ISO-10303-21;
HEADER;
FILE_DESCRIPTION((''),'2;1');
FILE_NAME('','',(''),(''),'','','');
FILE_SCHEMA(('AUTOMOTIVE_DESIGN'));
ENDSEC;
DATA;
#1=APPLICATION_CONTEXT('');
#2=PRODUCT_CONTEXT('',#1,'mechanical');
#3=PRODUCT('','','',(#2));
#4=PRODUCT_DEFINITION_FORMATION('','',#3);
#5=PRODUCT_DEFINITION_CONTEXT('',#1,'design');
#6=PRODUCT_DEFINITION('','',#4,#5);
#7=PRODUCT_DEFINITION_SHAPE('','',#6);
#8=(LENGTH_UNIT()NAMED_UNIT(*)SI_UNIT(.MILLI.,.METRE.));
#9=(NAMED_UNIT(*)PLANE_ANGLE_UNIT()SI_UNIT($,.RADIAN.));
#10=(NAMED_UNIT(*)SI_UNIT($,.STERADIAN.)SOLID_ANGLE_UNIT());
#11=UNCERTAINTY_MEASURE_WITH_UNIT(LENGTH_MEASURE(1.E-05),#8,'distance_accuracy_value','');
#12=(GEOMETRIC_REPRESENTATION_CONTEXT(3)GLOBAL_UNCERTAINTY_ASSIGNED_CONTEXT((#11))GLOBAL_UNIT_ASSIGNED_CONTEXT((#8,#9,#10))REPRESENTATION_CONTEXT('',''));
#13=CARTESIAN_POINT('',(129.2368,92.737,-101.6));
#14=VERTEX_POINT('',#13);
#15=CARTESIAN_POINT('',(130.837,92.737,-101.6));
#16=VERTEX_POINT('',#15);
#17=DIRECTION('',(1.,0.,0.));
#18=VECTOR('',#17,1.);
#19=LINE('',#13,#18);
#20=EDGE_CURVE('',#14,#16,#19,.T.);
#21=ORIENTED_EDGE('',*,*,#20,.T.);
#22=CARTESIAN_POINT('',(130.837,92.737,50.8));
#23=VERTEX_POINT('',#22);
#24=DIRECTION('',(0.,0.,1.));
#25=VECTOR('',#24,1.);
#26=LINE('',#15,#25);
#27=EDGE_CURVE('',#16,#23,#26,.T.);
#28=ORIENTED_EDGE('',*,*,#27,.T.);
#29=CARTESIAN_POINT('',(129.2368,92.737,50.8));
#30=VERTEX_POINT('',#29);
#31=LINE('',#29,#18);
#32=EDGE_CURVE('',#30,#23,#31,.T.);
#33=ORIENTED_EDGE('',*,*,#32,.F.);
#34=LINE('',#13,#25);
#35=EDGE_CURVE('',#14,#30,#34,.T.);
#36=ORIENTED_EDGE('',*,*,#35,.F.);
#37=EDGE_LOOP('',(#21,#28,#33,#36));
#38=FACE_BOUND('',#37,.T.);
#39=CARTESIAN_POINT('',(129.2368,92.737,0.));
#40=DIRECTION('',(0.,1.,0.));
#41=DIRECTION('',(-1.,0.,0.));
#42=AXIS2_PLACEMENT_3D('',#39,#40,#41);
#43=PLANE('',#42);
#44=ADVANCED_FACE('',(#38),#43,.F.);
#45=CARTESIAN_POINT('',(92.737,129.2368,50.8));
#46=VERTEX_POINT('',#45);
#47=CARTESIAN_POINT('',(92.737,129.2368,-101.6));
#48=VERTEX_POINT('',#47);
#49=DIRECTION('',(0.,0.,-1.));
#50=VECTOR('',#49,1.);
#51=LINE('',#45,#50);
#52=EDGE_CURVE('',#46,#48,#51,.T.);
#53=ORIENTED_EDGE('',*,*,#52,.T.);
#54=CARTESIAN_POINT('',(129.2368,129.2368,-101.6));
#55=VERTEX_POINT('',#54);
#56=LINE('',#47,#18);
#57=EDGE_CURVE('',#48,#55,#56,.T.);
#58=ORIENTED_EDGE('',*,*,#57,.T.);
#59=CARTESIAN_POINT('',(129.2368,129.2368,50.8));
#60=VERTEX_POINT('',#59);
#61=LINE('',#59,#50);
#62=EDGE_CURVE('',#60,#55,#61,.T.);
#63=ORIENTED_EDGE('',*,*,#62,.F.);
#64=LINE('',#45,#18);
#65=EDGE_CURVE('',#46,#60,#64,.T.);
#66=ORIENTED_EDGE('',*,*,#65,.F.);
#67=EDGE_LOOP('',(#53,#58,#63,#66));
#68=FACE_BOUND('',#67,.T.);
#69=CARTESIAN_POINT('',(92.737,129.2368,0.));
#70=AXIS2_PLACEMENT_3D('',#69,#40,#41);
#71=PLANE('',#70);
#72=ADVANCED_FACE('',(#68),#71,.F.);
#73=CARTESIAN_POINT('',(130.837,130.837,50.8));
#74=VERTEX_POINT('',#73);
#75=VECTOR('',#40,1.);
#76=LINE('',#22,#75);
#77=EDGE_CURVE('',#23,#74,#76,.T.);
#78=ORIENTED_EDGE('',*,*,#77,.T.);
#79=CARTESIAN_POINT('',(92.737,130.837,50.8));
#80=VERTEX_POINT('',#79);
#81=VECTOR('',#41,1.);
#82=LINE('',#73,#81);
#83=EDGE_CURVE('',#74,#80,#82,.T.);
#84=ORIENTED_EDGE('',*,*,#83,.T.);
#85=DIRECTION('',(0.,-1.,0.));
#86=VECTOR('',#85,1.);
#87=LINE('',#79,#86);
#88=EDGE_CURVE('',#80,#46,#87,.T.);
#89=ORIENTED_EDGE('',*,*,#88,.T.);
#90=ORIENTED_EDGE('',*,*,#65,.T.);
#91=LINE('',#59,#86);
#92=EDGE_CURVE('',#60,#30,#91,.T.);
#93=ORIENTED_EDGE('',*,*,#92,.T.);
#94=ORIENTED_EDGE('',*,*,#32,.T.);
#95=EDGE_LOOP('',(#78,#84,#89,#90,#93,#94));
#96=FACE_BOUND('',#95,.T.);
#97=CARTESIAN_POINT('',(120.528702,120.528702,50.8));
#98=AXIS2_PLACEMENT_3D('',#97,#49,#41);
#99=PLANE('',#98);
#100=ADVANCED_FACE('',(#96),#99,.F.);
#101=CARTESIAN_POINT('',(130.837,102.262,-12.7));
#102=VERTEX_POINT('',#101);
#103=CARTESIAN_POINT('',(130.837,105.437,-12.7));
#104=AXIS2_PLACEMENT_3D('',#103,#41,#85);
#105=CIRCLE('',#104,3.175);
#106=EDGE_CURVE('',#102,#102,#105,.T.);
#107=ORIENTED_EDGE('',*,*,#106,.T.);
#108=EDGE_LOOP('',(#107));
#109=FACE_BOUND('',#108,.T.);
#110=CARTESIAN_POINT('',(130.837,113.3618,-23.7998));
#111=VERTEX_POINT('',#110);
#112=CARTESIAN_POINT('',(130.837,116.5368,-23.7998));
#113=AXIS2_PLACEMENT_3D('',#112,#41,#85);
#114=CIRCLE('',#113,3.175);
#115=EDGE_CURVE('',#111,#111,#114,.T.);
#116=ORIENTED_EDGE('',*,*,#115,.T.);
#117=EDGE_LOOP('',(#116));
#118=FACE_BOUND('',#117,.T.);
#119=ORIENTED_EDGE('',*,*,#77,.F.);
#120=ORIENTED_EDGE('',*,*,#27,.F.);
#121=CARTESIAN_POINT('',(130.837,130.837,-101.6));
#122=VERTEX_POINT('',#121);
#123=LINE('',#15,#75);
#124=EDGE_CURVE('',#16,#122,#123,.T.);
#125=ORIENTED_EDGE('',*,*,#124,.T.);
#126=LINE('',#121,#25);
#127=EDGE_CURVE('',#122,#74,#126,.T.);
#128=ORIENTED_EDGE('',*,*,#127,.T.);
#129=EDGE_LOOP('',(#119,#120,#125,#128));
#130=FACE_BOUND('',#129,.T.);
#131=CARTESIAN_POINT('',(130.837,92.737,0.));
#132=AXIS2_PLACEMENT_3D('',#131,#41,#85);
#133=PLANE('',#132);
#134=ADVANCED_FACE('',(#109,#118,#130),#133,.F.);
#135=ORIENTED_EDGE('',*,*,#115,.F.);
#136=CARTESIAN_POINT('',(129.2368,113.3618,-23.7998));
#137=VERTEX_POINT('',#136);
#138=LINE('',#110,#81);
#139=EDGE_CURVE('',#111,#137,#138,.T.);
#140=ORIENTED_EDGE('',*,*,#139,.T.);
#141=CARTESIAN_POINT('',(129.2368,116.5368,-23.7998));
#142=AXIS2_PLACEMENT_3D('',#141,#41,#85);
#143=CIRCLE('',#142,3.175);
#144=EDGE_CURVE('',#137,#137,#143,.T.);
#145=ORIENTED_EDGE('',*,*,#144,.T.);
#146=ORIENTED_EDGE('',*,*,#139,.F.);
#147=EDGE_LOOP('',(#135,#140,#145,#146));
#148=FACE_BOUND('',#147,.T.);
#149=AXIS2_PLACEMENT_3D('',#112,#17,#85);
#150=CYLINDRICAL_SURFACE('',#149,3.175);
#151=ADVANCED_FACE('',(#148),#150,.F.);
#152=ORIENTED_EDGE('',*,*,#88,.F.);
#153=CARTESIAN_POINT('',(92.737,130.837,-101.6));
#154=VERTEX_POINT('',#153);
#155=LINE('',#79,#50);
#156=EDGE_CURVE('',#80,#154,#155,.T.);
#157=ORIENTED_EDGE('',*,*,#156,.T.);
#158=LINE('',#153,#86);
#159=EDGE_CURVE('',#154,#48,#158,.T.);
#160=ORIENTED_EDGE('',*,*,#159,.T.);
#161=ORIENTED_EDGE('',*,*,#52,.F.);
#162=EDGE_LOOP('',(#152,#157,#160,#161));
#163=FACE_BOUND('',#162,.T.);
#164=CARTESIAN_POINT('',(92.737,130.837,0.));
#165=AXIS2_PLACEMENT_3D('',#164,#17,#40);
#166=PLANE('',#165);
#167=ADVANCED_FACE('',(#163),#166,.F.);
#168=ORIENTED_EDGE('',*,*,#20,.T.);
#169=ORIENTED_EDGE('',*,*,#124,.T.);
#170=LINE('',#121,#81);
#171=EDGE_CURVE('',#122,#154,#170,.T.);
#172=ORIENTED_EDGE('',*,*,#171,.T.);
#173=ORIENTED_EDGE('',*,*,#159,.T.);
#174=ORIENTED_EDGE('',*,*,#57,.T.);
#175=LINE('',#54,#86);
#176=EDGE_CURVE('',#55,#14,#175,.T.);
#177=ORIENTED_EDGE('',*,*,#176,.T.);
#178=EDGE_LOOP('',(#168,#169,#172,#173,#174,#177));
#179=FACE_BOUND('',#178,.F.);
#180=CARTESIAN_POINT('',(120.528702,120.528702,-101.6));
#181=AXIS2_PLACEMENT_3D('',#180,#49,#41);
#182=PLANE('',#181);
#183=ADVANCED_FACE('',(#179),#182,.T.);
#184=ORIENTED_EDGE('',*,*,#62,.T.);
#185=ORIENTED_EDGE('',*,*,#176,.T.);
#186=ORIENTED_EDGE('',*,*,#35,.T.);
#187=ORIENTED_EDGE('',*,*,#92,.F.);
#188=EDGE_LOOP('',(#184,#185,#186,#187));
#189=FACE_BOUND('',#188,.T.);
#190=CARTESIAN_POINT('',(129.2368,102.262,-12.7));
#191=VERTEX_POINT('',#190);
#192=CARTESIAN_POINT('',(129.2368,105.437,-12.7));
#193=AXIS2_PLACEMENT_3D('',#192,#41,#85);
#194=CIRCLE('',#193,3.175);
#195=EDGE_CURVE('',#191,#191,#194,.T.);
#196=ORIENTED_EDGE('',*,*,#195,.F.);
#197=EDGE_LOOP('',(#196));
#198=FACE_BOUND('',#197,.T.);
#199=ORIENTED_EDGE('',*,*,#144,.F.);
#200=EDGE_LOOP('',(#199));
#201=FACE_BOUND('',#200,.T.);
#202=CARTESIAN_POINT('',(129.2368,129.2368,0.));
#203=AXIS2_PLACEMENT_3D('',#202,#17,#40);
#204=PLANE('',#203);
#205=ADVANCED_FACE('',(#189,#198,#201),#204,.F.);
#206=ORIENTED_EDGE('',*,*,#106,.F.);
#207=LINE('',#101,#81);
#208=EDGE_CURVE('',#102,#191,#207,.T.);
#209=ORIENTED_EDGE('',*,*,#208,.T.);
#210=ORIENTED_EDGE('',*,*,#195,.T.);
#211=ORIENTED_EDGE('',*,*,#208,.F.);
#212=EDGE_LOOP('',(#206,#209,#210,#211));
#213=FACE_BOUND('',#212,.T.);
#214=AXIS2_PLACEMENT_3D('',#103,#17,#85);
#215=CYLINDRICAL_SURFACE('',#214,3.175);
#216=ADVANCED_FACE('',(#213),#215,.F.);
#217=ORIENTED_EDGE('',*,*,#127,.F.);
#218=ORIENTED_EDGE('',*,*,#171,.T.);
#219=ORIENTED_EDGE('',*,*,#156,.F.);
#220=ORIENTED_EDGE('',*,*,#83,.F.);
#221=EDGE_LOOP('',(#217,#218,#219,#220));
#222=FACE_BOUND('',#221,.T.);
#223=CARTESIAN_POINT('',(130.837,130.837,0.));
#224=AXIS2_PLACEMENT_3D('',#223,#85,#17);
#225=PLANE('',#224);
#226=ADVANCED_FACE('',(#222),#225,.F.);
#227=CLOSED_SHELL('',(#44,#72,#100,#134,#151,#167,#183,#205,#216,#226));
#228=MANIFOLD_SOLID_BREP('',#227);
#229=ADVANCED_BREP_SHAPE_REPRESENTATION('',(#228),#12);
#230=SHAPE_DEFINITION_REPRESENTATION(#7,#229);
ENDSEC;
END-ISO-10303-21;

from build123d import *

# Parameters (mm, degrees)
PAD_DEPTH      = 50.8
PAD_DEPTH_BACK = 101.6
SKETCH001_R    = 3.175
POCKET_DEPTH   = 1.6002


with BuildPart() as leg1:
    # Sketch → Pad (new body, two sides)
    with BuildSketch(Plane.XY) as pad_sk:
        Polygon((0, 0), (38.1, 0), (38.1, -1.6002), (1.6002, -1.6002), (1.6002, -38.1), (0, -38.1), align=None)
    extrude(amount=PAD_DEPTH)
    extrude(pad_sk.sketch, amount=-PAD_DEPTH_BACK)

    # Sketch001 → Pocket (cut)
    with BuildSketch(Plane(origin=(0, 0, 0), x_dir=(0, -1, 0), z_dir=(-1, 0, 0))):
        with Locations((25.4, -12.7)):
            Circle(SKETCH001_R)
        with Locations((14.3002, -23.7998)):
            Circle(SKETCH001_R)
    extrude(amount=-POCKET_DEPTH, mode=Mode.SUBTRACT)


with BuildPart() as leg1_1:
    # Clone006 placement: moved
    add(leg1.part.moved(Location((-130.837, 130.837, 0))))


with BuildPart() as leg2:
    # Part__Mirroring006: instance of leg1
    add(leg1_1.part.mirror(Plane(origin=(0, 0, 0), x_dir=(1, 0, 0), z_dir=(0, 1, 0))))


with BuildPart() as leg3:
    # Part__Mirroring007: instance of leg2
    add(leg2.part.mirror(Plane(origin=(0, 0, 0), x_dir=(0, -1, 0), z_dir=(1, 0, 0))))


with BuildPart() as leg4:
    # Part__Mirroring008: instance of leg3
    add(leg3.part.mirror(Plane(origin=(0, 0, 0), x_dir=(1, 0, 0), z_dir=(0, 1, 0))))


solid = leg4.part
